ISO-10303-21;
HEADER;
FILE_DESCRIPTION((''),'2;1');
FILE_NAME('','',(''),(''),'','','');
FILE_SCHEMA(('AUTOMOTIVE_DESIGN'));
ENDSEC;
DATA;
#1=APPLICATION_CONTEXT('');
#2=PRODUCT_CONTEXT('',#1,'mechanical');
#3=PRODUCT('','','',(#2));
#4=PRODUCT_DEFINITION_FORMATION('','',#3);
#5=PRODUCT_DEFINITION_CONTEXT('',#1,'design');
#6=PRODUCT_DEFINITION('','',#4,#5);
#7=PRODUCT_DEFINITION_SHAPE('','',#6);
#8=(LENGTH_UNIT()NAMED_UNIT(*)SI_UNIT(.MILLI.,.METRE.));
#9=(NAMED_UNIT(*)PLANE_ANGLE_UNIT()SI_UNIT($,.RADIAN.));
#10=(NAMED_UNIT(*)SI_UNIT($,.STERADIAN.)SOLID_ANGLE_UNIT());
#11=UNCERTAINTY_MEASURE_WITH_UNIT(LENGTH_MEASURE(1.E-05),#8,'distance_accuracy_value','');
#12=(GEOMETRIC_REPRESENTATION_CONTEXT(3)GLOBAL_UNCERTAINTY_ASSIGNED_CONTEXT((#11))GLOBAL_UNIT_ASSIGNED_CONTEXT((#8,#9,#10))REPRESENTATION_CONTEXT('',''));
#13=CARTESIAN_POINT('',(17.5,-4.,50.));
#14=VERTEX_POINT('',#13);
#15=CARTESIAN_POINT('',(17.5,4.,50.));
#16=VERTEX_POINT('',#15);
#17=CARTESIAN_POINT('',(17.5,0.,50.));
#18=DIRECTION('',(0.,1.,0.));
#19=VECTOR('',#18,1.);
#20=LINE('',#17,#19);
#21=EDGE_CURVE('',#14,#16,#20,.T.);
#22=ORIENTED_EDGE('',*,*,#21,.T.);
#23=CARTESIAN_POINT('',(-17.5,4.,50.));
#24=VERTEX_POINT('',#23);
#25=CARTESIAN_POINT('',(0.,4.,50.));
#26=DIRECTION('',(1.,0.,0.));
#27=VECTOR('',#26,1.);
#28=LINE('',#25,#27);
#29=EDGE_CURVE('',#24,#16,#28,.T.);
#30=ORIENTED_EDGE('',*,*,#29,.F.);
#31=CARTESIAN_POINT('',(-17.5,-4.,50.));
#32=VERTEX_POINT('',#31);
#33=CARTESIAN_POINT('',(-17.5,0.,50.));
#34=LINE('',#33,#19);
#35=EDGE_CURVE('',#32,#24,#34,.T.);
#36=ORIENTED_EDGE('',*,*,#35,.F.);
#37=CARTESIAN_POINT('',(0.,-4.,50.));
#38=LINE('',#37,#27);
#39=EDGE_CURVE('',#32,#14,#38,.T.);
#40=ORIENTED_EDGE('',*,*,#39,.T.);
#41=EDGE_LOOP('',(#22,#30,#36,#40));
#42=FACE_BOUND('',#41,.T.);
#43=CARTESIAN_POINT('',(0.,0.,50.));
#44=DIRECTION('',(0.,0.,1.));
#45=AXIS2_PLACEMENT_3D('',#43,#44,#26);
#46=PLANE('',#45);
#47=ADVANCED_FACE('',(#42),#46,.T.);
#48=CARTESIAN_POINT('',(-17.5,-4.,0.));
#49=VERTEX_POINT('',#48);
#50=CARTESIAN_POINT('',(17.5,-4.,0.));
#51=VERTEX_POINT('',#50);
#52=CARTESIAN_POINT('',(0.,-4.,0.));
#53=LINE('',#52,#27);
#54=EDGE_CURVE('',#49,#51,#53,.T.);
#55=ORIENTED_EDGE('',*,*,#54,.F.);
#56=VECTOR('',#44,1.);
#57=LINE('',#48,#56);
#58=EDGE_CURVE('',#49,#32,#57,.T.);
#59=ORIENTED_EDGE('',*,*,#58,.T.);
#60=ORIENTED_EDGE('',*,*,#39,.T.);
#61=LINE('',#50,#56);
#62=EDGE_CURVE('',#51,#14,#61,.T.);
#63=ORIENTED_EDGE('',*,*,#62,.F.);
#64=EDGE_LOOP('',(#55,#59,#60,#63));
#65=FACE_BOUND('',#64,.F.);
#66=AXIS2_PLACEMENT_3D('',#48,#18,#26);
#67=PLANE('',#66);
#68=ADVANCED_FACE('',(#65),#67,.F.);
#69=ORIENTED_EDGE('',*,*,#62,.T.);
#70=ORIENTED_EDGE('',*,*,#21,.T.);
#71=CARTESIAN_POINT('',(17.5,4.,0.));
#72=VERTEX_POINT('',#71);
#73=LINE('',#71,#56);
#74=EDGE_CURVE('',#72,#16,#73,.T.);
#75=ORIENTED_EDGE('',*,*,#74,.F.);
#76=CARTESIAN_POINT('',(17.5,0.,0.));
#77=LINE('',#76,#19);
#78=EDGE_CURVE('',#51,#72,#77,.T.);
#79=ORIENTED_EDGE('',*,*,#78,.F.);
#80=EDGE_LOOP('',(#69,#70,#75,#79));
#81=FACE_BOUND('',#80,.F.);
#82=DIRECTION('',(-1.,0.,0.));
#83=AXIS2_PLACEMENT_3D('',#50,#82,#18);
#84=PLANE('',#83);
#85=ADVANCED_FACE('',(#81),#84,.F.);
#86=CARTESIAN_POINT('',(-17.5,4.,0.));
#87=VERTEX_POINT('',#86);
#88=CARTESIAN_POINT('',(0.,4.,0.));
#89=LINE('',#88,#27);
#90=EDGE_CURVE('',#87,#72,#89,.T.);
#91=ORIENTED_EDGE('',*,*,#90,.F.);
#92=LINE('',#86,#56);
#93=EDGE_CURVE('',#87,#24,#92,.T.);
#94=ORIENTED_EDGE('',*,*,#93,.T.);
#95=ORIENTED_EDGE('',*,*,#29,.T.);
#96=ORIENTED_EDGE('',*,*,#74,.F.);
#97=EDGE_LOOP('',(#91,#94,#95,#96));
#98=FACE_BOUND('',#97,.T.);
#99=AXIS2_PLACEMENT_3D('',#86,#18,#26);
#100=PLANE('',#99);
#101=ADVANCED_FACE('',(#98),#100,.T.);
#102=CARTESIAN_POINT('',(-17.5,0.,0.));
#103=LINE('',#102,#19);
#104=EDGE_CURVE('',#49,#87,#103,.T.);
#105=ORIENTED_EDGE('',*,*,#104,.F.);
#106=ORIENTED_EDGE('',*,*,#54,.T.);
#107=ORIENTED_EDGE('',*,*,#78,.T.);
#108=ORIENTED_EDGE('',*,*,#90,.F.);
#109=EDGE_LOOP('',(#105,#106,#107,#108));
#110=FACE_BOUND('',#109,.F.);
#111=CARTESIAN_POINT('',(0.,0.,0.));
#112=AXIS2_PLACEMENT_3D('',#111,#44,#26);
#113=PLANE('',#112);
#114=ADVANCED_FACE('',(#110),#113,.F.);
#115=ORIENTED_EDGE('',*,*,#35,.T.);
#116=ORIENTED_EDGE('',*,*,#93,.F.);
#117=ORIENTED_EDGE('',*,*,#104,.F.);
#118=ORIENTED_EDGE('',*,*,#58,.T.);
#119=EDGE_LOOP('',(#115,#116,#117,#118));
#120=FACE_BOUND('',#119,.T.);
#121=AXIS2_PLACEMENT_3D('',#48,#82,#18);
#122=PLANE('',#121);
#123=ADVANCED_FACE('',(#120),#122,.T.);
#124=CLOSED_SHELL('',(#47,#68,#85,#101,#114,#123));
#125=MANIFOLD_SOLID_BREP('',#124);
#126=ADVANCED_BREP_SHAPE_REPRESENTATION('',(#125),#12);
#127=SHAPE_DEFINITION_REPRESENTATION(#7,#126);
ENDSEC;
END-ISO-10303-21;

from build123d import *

# Parameters (mm, degrees)
SKETCH_W      = 35
SKETCH_H      = 8
EXTRUDE_DEPTH = 50


with BuildPart() as part:
    # Sketch → Extrude (new body)
    with BuildSketch(Plane.XY):
        Rectangle(SKETCH_W, SKETCH_H)
    extrude(amount=EXTRUDE_DEPTH)


solid = part.part
